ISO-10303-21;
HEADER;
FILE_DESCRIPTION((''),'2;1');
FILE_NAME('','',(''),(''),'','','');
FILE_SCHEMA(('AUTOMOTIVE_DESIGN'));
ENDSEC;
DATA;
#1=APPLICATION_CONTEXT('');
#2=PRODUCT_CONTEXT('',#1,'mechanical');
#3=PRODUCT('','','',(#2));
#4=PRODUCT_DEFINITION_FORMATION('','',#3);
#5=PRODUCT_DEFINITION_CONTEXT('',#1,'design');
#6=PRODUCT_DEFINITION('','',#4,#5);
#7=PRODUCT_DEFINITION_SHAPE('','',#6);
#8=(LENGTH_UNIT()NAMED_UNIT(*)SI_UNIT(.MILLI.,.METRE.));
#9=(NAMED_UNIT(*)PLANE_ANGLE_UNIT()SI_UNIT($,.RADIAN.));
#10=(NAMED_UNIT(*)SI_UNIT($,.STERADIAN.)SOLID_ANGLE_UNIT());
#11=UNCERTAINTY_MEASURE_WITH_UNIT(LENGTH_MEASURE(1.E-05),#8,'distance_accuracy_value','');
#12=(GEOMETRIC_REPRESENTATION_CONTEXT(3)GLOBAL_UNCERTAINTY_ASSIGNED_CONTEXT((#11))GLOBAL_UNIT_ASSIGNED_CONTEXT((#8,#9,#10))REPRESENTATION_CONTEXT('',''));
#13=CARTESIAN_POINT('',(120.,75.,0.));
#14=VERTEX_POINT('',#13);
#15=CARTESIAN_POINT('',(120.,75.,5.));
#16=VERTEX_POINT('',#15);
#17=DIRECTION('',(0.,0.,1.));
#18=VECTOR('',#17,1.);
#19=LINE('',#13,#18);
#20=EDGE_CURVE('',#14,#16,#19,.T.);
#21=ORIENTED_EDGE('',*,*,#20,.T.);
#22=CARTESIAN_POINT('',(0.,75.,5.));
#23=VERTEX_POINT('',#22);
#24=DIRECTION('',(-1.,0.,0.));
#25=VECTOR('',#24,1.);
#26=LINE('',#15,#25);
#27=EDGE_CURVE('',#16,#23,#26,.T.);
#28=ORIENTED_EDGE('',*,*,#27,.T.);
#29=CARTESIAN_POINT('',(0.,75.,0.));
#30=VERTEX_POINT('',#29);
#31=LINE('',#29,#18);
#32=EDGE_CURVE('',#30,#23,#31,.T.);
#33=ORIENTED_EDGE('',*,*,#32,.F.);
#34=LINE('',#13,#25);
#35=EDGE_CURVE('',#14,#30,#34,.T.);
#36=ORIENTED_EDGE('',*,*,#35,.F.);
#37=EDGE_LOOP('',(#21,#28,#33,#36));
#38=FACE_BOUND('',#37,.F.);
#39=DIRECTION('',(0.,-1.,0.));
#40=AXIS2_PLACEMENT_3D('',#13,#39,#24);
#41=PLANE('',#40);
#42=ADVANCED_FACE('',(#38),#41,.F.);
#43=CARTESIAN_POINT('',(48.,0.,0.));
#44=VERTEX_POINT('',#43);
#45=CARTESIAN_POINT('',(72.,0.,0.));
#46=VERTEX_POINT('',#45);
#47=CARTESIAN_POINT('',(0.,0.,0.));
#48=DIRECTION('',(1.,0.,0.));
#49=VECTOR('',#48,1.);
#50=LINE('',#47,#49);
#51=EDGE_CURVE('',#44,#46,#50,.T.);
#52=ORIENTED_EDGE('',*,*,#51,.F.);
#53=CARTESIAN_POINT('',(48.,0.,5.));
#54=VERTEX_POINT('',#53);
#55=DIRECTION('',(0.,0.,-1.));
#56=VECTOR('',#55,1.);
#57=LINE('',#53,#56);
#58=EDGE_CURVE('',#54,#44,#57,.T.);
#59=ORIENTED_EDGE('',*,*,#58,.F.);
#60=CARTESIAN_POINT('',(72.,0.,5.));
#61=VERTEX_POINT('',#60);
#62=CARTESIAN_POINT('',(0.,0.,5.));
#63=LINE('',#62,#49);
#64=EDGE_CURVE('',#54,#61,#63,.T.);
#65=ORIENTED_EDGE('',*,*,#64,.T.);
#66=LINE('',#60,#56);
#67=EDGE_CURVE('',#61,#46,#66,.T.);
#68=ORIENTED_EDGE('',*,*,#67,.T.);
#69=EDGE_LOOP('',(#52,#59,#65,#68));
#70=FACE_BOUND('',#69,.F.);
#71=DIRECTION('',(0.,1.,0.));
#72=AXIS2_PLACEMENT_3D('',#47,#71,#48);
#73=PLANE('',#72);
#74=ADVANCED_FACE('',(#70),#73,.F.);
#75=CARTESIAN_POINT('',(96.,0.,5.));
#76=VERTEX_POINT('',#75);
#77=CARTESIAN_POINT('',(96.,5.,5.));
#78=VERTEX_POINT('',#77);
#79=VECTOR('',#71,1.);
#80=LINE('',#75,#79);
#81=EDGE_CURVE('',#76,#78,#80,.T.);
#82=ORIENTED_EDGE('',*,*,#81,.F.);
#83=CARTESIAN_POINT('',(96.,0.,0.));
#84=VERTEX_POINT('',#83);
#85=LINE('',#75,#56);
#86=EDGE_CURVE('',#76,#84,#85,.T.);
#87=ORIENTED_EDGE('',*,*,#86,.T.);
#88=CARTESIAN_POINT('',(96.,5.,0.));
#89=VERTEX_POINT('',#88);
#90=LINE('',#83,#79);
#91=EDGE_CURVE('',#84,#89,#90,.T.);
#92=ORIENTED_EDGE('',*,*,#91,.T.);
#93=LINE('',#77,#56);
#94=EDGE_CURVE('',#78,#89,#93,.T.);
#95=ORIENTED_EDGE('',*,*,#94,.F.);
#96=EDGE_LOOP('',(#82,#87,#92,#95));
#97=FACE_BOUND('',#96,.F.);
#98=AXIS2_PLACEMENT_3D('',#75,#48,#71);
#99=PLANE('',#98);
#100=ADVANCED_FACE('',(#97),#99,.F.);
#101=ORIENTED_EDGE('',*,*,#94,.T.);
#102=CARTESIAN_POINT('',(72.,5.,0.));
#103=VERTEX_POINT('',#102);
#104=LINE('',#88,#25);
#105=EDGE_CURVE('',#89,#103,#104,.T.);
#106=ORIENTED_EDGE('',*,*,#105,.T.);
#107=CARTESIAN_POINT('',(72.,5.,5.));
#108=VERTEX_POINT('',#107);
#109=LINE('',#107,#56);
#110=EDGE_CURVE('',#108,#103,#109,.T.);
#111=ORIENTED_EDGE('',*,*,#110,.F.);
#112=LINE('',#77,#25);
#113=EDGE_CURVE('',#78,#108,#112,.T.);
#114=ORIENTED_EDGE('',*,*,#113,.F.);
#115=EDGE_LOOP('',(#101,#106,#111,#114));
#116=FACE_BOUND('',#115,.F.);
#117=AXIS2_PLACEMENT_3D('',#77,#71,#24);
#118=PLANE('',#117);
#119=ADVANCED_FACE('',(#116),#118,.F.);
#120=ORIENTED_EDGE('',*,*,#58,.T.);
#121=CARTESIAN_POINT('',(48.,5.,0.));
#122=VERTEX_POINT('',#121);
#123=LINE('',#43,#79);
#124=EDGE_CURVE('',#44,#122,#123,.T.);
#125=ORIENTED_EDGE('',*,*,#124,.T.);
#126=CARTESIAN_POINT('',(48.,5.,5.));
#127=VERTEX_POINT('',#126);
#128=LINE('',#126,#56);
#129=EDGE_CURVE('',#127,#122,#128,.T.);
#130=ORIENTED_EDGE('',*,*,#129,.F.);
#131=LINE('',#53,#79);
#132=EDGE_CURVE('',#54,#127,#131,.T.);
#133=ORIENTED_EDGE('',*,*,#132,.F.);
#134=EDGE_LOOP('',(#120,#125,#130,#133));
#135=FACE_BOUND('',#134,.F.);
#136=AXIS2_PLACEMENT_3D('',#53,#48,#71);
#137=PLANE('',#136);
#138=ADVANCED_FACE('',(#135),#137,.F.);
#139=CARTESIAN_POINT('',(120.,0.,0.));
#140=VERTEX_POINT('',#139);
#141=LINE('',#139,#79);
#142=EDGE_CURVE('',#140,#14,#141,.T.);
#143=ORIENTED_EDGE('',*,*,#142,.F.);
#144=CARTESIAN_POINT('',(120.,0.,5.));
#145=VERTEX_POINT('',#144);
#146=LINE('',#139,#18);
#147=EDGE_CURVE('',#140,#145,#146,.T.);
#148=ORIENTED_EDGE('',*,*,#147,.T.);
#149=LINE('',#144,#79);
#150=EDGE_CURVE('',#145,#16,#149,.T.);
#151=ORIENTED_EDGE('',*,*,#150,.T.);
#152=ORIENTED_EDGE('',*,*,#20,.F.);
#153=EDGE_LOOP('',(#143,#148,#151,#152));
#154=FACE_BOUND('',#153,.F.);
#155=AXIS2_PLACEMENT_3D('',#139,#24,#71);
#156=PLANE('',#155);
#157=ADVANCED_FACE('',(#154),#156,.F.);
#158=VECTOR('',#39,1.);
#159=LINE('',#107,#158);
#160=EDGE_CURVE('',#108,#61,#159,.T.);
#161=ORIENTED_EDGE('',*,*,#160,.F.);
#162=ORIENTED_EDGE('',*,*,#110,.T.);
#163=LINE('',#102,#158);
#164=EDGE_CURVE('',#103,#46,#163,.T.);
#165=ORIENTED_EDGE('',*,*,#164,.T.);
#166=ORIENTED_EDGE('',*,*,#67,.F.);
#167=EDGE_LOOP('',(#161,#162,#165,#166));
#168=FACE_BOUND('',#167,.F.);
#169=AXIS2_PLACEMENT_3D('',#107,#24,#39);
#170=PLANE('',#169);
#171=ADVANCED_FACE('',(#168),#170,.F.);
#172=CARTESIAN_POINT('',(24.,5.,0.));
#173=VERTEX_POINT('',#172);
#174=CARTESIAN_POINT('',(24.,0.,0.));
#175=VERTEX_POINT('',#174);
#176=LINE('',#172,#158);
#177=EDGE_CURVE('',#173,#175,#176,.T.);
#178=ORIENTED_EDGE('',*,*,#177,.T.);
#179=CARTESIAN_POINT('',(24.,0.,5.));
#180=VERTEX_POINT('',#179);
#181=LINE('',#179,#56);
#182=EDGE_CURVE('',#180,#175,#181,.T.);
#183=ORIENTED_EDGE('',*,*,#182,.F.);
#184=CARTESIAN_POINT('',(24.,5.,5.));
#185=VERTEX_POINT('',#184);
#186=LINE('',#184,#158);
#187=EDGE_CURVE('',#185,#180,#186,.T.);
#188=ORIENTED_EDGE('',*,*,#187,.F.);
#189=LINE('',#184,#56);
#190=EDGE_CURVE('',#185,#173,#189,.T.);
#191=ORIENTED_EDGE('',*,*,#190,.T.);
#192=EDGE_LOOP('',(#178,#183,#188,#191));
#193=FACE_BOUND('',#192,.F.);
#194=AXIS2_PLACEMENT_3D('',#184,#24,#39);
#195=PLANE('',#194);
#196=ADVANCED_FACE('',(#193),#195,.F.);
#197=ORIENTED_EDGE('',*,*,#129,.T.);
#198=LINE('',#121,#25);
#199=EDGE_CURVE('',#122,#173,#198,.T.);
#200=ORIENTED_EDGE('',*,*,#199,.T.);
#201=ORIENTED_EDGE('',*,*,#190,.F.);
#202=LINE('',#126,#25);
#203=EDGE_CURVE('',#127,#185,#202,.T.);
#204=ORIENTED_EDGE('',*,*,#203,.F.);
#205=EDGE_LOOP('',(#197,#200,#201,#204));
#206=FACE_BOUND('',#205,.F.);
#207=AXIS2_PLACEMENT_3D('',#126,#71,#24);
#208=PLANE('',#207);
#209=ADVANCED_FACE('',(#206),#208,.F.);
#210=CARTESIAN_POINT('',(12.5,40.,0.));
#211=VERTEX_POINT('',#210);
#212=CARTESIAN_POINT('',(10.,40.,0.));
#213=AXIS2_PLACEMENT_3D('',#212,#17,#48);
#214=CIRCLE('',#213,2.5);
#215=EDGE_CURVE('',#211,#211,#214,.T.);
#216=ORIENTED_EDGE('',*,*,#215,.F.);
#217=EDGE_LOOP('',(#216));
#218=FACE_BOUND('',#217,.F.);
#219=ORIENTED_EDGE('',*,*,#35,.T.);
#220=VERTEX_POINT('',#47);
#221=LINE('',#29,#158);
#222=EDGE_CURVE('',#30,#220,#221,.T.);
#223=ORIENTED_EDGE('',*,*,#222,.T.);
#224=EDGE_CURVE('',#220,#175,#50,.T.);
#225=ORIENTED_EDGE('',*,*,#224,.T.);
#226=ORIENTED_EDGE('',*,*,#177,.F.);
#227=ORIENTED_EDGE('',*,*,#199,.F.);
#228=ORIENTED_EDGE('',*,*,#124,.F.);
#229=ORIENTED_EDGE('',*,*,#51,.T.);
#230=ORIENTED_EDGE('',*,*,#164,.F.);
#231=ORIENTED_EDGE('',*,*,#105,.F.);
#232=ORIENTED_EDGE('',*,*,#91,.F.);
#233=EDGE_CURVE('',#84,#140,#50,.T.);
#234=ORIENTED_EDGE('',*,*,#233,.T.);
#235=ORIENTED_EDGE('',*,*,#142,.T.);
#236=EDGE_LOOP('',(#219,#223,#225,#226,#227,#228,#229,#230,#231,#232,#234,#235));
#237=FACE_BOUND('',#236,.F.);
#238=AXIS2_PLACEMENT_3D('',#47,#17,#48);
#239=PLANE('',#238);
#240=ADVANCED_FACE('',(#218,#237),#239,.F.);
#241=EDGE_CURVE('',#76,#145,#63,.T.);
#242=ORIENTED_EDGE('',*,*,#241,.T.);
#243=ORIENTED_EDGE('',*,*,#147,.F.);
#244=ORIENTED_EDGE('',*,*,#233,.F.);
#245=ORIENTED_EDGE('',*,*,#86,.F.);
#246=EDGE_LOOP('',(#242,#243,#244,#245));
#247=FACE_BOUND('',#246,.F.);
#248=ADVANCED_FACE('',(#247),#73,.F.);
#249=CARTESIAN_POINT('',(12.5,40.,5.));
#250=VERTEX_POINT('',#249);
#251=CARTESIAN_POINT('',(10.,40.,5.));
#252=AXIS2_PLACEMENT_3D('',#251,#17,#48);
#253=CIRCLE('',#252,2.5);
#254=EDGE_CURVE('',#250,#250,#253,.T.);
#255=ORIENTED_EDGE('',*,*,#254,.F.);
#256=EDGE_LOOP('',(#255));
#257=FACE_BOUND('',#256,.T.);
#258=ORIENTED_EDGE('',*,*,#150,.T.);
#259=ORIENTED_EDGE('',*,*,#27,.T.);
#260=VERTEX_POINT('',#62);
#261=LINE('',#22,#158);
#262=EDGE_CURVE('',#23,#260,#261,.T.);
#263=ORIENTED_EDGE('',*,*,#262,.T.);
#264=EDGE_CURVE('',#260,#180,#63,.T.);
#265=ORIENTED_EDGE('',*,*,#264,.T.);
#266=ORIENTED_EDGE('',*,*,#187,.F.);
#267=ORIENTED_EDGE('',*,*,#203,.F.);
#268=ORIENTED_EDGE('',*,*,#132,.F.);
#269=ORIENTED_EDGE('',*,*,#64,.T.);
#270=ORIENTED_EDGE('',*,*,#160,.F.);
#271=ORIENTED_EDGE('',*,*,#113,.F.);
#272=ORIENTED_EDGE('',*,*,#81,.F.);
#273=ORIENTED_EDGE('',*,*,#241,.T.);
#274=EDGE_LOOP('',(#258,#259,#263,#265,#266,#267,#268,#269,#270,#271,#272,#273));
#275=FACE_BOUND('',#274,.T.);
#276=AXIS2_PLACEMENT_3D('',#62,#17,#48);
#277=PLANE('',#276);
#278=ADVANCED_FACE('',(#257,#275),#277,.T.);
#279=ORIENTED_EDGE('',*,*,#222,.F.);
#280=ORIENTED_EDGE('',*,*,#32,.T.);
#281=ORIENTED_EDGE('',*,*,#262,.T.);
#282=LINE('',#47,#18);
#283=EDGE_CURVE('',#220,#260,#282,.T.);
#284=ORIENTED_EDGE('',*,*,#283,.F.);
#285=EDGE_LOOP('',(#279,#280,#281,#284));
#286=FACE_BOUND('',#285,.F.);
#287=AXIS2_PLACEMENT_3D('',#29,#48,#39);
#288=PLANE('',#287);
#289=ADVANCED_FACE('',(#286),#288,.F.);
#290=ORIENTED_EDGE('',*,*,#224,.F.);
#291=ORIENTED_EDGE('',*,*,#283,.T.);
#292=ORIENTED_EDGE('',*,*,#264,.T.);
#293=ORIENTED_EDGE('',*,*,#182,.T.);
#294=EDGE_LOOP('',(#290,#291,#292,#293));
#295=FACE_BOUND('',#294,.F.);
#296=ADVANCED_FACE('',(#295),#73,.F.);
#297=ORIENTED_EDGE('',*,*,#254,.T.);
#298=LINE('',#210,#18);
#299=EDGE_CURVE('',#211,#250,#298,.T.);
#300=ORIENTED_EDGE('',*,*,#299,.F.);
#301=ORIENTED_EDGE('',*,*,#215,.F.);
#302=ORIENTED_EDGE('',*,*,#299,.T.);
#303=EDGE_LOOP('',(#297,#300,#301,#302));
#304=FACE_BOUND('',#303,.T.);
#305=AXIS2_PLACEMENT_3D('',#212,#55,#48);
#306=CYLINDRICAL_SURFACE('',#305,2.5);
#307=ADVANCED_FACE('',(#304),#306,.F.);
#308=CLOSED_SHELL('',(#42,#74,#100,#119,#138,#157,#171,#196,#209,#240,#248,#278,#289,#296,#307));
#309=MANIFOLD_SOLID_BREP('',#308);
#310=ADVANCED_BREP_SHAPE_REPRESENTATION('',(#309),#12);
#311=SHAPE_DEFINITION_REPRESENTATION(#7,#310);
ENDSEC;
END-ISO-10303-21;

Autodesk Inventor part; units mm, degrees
ref_plane "YZ Plane" through (0, 0, 0) normal (1, 0, 0) x (0, 1, 0)
ref_plane "XZ Plane" through (0, 0, 0) normal (0, 1, 0) x (-1, 0, 0)
ref_plane "XY Plane" through (0, 0, 0) normal (0, 0, 1) x (1, 0, 0)
sketch "Sketch1" plane through (0, 0, 0) normal (0, 0, 1) x (1, 0, 0)
  line L0 (0, 0) -> (120, 0)
  line L1 (120, 0) -> (120, 75)
  line L2 (120, 75) -> (0, 75)
  line L3 (0, 75) -> (0, 0)
  circle A0 centre (10, 40) radius 2.5
  dimension "d0" = 120
  dimension "d1" = 75
  dimension "d2" = 5
  dimension "d3" = 10
  dimension "d4" = 35
extrude "Extrusion1" add sketch "Sketch1" along normal blind 5
sketch "Sketch2" plane through (0, 0, 5) normal (0, 0, 1) x (1, 0, 0)
  line L0 (0, 0) -> (120, 0) projected
  line L1 (24, 0) -> (48, 0)
  line L2 (48, 0) -> (48, 5)
  line L3 (48, 5) -> (24, 5)
  line L4 (24, 5) -> (24, 0)
  line L5 (72, 0) -> (96, 0)
  line L6 (96, 0) -> (96, 5)
  line L7 (96, 5) -> (72, 5)
  line L8 (72, 5) -> (72, 0)
  line L9 (0, 75) -> (0, 0) projected
  dimension "d7" = 24
  dimension "d8" = 5
  dimension "d9" = 24
  dimension "d10" = 5
  dimension "d11" = 24
  dimension "d12" = 24
extrude "Extrusion2" cut sketch "Sketch2" against normal blind 5
sketch "Sketch3" plane through (0, 0, 5) normal (0, 0, 1) x (1, 0, 0)
  line L0 (38.7826, 73.4019) -> (98.6345, 73.4019) construction
  line L1 (98.6345, 73.4019) -> (98.6345, 53.9975) construction
  line L2 (98.6345, 53.9975) -> (38.7826, 53.9975) construction
  line L3 (38.7826, 53.9975) -> (38.7826, 73.4019) construction
  point P0 (0, 0)
sketch "Sketch4" plane through (48, 0, 0) normal (0, -1, 0) x (1, 0, 0)
  line L0 (2.1203, 4.645) -> (24.7173, 4.645) construction
  line L1 (24.7173, 4.645) -> (24.7173, 0.4931) construction
  line L2 (24.7173, 0.4931) -> (2.1203, 0.4931) construction
  line L3 (2.1203, 0.4931) -> (2.1203, 4.645) construction
  point P0 (-48, 0)
sketch "Sketch5" plane through (0, 0, 0) normal (0, 0, -1) x (-1, 0, 0)
  line L0 (-77.429, 73.1669) -> (18.9429, 73.1669) construction
  line L1 (18.9429, 73.1669) -> (18.9429, 43.3318) construction
  line L2 (18.9429, 43.3318) -> (-77.429, 43.3318) construction
  line L3 (-77.429, 43.3318) -> (-77.429, 73.1669) construction
  point P0 (0, 0)
properties part number "SpurGearMount"
